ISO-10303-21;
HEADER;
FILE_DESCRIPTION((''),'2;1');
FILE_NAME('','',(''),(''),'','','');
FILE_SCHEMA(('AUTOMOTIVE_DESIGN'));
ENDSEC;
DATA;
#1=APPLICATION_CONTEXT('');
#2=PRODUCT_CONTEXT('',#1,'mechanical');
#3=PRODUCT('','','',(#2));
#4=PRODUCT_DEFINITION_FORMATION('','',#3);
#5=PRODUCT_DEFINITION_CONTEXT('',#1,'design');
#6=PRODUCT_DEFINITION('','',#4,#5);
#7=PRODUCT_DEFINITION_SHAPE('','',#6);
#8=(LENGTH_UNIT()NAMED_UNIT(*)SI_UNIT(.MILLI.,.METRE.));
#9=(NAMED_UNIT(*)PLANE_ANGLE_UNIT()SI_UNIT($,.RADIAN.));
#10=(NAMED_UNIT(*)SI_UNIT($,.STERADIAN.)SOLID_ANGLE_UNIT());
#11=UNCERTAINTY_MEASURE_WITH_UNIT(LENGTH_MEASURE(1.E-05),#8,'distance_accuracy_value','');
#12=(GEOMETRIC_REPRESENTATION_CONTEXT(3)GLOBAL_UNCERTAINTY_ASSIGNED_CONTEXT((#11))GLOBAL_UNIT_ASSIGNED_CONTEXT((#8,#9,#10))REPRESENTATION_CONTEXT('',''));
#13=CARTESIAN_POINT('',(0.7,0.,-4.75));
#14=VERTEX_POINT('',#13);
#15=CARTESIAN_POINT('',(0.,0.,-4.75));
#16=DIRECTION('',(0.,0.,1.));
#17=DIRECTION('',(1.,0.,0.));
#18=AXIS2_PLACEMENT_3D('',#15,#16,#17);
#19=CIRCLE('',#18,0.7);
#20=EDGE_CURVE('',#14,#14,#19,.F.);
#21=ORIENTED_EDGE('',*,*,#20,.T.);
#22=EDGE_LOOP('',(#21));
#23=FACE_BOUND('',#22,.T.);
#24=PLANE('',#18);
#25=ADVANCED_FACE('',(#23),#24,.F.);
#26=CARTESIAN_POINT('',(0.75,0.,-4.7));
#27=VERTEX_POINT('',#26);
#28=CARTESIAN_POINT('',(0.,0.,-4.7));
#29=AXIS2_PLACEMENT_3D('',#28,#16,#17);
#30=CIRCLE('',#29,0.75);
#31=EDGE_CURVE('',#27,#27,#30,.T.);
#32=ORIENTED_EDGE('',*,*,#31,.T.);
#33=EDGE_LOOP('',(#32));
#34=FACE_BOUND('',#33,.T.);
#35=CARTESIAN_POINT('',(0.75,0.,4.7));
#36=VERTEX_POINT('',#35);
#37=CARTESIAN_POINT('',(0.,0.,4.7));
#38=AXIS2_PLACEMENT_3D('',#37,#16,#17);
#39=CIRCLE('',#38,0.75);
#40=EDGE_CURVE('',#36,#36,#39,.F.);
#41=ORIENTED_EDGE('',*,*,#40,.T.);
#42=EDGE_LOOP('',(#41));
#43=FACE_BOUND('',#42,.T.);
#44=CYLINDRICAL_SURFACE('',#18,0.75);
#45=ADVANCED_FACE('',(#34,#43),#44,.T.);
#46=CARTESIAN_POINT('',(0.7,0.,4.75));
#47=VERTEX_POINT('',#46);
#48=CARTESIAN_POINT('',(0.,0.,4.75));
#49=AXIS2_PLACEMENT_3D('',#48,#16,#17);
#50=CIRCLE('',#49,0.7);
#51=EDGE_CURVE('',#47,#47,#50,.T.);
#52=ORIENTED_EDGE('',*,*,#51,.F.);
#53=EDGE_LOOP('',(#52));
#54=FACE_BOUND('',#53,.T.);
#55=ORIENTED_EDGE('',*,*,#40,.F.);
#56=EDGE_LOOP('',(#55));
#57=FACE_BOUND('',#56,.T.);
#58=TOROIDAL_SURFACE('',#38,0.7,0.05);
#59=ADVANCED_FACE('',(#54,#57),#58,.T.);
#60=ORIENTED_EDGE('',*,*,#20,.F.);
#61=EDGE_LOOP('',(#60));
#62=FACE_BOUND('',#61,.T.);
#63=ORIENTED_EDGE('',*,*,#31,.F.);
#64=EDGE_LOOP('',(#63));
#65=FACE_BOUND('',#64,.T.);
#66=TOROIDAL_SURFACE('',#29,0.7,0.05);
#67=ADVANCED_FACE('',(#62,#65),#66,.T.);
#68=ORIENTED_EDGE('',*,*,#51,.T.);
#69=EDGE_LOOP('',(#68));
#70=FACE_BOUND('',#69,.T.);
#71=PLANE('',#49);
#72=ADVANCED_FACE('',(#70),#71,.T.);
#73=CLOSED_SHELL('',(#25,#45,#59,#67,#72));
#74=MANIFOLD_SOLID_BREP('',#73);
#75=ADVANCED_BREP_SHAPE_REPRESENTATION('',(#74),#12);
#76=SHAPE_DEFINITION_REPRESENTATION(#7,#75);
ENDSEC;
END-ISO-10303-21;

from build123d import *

# Parameters (mm, degrees)
CROQUIS1_R                   = 0.75
SALIENTE_EXTRUIR1_DEPTH      = 4.75
SALIENTE_EXTRUIR1_DEPTH_BACK = 4.75
REDONDEO1_R                  = 0.05


with BuildPart() as part:
    # Croquis1 → Saliente-Extruir1 (new body, two sides)
    with BuildSketch(Plane.XY) as saliente_extruir1_sk:
        Circle(CROQUIS1_R)
    extrude(amount=SALIENTE_EXTRUIR1_DEPTH)
    extrude(saliente_extruir1_sk.sketch, amount=-SALIENTE_EXTRUIR1_DEPTH_BACK)

    # Redondeo1
    redondeo1_edges = [part.edges().sort_by_distance(p)[0] for p in [
        (-0.75, 0, -4.75),
        (-0.75, 0, 4.75),
    ]]
    fillet(redondeo1_edges, radius=REDONDEO1_R)


solid = part.part
